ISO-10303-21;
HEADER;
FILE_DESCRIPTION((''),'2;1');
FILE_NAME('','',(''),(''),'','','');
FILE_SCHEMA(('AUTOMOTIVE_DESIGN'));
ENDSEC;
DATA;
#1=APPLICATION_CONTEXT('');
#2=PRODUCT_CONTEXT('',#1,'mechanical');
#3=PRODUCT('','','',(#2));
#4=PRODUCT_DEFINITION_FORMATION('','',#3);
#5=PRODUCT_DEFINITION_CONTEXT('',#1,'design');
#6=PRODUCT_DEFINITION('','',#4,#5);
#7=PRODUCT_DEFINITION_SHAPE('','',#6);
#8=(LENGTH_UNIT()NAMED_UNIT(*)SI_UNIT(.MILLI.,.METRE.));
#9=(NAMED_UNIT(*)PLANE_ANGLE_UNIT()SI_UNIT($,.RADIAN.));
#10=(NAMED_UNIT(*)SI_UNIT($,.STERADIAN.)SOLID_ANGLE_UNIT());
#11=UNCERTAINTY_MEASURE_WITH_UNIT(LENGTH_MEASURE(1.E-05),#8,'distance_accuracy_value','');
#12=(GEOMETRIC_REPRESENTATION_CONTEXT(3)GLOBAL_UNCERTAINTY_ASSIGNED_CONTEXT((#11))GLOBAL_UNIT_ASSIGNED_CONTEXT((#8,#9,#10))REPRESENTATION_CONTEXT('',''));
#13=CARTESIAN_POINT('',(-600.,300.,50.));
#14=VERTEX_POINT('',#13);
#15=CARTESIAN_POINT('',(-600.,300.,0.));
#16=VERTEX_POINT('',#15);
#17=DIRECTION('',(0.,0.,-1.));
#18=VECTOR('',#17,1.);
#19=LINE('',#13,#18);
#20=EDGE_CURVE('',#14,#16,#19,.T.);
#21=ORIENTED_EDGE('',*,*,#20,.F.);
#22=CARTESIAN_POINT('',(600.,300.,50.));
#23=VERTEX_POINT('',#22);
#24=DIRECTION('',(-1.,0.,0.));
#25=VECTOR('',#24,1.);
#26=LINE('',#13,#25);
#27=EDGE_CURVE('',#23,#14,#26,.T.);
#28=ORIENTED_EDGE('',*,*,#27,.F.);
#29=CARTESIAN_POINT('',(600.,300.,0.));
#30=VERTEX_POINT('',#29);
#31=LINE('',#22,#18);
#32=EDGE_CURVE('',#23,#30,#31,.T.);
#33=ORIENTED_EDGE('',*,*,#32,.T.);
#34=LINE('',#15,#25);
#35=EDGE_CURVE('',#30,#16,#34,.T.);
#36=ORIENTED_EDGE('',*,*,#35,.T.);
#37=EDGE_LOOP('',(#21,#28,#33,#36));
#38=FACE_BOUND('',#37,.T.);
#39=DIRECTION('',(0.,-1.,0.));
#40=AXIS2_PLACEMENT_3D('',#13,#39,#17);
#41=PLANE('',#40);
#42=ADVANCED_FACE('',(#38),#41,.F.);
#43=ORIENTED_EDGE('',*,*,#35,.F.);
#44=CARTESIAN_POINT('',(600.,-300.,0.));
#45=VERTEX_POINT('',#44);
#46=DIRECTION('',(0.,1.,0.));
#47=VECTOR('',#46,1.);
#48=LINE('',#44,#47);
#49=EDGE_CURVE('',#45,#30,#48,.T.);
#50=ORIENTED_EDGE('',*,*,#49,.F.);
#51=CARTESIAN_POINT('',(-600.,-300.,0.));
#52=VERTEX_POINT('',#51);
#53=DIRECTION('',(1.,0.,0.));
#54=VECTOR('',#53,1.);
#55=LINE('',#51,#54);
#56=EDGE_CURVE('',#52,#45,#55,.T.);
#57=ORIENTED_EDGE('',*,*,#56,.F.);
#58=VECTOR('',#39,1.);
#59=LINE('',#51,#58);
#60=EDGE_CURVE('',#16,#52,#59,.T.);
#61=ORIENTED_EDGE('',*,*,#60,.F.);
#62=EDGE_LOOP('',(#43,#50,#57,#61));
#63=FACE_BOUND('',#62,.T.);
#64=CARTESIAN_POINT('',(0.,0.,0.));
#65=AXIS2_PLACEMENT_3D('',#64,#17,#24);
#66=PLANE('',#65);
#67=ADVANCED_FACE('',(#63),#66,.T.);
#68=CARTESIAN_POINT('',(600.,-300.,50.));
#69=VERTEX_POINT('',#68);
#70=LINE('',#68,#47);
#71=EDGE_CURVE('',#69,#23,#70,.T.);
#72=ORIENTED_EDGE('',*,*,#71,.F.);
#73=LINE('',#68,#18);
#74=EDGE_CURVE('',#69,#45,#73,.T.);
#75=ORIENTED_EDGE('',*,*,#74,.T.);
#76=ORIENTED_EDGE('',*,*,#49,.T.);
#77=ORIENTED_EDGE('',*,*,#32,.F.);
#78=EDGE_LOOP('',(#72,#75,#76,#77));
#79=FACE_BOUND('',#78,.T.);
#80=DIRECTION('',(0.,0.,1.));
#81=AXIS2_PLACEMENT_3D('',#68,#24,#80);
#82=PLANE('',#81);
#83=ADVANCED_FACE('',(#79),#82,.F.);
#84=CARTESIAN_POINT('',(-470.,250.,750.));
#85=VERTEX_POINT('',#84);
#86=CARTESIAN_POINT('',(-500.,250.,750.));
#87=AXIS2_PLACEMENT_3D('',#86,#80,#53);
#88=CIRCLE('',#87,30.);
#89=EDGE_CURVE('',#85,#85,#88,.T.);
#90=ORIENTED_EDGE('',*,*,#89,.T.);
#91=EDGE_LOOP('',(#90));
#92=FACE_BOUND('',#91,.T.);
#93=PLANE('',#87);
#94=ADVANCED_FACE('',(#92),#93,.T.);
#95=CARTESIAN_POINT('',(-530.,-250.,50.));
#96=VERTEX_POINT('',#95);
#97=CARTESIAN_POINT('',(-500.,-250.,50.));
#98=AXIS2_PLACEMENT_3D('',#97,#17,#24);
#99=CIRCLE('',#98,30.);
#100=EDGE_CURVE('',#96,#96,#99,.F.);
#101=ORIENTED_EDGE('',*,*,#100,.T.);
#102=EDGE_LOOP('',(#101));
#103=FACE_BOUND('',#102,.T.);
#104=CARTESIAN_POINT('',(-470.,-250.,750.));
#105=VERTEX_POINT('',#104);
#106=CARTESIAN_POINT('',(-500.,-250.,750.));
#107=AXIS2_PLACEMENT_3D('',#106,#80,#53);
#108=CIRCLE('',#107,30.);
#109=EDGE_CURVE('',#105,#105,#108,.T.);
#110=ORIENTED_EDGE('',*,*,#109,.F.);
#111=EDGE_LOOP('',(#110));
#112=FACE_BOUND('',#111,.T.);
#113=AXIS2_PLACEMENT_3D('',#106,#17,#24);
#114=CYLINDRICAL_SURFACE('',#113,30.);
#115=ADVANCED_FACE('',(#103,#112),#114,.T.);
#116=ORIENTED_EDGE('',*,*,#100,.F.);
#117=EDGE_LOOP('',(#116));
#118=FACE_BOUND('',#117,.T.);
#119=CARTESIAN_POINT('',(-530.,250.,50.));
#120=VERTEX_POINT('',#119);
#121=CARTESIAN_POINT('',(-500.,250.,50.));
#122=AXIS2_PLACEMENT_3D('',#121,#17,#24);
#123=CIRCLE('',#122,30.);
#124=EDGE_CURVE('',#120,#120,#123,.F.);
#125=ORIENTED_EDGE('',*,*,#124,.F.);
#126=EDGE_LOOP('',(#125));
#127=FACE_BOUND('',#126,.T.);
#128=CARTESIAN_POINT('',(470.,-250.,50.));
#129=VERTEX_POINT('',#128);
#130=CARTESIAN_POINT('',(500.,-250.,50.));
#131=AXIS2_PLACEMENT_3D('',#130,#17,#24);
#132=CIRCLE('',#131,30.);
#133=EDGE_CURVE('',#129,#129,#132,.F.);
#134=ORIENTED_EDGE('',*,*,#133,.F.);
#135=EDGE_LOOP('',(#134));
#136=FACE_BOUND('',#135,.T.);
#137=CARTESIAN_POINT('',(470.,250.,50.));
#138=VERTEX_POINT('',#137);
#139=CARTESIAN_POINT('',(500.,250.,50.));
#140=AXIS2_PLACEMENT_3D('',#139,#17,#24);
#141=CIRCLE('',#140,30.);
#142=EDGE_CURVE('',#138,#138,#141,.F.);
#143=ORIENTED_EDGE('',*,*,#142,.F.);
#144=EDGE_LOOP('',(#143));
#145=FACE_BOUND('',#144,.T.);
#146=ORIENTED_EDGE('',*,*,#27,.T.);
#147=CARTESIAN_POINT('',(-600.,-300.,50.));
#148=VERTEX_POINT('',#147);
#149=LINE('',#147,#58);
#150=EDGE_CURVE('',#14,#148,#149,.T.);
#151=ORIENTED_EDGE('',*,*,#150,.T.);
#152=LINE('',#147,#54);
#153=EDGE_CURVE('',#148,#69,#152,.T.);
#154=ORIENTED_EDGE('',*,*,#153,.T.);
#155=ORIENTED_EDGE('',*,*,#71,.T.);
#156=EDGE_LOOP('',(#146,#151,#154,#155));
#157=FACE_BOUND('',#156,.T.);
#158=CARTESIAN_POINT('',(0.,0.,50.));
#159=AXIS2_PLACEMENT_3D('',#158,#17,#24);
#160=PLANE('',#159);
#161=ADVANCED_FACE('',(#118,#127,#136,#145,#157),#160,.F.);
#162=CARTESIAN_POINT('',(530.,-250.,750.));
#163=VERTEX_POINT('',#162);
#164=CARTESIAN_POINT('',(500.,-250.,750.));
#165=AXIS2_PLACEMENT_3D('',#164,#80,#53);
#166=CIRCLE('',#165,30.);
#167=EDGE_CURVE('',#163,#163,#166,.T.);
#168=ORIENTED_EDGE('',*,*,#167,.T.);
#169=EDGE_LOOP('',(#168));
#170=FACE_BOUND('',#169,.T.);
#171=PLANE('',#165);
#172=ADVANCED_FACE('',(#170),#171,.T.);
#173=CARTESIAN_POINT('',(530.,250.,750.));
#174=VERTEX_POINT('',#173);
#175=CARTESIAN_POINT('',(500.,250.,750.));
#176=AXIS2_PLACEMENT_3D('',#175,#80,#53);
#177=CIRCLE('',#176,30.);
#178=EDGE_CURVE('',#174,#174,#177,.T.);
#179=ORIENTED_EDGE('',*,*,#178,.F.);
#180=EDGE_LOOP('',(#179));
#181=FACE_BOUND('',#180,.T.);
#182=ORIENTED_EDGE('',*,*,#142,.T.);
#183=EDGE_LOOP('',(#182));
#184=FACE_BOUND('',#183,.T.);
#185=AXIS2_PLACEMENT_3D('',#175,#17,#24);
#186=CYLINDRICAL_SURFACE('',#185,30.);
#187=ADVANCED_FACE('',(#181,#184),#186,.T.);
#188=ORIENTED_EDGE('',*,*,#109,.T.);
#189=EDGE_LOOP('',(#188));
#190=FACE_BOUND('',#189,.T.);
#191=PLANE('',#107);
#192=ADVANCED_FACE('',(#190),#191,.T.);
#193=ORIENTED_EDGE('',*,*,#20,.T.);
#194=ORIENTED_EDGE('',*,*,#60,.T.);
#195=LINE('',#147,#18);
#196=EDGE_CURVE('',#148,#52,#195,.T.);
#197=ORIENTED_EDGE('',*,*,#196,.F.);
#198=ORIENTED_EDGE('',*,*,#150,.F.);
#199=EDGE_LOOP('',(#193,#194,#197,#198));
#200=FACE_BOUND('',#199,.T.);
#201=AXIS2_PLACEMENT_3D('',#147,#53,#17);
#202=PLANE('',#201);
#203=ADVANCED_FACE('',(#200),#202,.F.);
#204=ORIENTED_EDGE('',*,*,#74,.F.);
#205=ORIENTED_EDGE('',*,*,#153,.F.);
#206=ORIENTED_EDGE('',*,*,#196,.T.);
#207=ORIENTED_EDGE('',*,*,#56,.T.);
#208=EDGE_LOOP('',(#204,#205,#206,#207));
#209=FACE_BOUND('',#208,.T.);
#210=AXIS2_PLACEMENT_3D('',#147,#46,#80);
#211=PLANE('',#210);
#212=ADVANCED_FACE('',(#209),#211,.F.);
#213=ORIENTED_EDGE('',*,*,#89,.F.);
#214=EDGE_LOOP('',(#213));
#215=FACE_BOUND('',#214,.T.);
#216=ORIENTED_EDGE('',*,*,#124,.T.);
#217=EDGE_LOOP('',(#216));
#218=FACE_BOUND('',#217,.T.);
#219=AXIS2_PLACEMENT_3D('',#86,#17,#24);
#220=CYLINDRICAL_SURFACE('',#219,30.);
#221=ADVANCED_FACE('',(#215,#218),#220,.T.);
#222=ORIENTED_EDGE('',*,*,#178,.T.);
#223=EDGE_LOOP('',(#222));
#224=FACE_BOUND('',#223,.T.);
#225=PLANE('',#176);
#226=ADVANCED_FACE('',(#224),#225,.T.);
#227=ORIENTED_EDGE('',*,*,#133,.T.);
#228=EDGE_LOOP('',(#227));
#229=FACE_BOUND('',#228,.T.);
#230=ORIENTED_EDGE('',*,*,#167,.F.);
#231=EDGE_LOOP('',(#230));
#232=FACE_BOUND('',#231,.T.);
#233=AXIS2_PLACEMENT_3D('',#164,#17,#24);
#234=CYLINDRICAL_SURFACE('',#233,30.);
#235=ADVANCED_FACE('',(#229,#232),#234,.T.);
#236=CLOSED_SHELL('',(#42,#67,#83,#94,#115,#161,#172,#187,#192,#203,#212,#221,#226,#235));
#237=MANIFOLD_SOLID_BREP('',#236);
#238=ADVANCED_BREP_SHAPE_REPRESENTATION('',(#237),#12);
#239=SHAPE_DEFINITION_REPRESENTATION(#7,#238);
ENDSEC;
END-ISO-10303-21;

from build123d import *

# Parameters (mm, degrees)
SKETCH_1_W      = 1200
SKETCH_1_H      = 600
EXTRUDE_1_DEPTH = 50
SKETCH_2_R      = 30
EXTRUDE_2_DEPTH = 750
SKETCH_3_R      = 30
EXTRUDE_3_DEPTH = 750
SKETCH_4_R      = 30
EXTRUDE_4_DEPTH = 750
SKETCH_5_R      = 30
EXTRUDE_5_DEPTH = 750


with BuildPart() as part:
    # 草图1 → 凸台-拉伸1 (new body)
    with BuildSketch(Plane.XY):
        Rectangle(SKETCH_1_W, SKETCH_1_H)
    extrude(amount=EXTRUDE_1_DEPTH)

    # 草图2 → 凸台-拉伸2 (add)
    with BuildSketch(Plane.XY):
        with Locations(Location((-500, -250, 0), (0, 0, 180))):
            Circle(SKETCH_2_R)
    extrude(amount=EXTRUDE_2_DEPTH)

    # 草图3 → 凸台-拉伸3 (add)
    with BuildSketch(Plane.XY):
        with Locations(Location((500, -250, 0), (0, 0, 180))):
            Circle(SKETCH_3_R)
    extrude(amount=EXTRUDE_3_DEPTH)

    # 草图4 → 凸台-拉伸4 (add)
    with BuildSketch(Plane.XY):
        with Locations(Location((-500, 250, 0), (0, 0, 180))):
            Circle(SKETCH_4_R)
    extrude(amount=EXTRUDE_4_DEPTH)

    # 草图5 → 凸台-拉伸5 (add)
    with BuildSketch(Plane.XY):
        with Locations(Location((500, 250, 0), (0, 0, 180))):
            Circle(SKETCH_5_R)
    extrude(amount=EXTRUDE_5_DEPTH)


solid = part.part
